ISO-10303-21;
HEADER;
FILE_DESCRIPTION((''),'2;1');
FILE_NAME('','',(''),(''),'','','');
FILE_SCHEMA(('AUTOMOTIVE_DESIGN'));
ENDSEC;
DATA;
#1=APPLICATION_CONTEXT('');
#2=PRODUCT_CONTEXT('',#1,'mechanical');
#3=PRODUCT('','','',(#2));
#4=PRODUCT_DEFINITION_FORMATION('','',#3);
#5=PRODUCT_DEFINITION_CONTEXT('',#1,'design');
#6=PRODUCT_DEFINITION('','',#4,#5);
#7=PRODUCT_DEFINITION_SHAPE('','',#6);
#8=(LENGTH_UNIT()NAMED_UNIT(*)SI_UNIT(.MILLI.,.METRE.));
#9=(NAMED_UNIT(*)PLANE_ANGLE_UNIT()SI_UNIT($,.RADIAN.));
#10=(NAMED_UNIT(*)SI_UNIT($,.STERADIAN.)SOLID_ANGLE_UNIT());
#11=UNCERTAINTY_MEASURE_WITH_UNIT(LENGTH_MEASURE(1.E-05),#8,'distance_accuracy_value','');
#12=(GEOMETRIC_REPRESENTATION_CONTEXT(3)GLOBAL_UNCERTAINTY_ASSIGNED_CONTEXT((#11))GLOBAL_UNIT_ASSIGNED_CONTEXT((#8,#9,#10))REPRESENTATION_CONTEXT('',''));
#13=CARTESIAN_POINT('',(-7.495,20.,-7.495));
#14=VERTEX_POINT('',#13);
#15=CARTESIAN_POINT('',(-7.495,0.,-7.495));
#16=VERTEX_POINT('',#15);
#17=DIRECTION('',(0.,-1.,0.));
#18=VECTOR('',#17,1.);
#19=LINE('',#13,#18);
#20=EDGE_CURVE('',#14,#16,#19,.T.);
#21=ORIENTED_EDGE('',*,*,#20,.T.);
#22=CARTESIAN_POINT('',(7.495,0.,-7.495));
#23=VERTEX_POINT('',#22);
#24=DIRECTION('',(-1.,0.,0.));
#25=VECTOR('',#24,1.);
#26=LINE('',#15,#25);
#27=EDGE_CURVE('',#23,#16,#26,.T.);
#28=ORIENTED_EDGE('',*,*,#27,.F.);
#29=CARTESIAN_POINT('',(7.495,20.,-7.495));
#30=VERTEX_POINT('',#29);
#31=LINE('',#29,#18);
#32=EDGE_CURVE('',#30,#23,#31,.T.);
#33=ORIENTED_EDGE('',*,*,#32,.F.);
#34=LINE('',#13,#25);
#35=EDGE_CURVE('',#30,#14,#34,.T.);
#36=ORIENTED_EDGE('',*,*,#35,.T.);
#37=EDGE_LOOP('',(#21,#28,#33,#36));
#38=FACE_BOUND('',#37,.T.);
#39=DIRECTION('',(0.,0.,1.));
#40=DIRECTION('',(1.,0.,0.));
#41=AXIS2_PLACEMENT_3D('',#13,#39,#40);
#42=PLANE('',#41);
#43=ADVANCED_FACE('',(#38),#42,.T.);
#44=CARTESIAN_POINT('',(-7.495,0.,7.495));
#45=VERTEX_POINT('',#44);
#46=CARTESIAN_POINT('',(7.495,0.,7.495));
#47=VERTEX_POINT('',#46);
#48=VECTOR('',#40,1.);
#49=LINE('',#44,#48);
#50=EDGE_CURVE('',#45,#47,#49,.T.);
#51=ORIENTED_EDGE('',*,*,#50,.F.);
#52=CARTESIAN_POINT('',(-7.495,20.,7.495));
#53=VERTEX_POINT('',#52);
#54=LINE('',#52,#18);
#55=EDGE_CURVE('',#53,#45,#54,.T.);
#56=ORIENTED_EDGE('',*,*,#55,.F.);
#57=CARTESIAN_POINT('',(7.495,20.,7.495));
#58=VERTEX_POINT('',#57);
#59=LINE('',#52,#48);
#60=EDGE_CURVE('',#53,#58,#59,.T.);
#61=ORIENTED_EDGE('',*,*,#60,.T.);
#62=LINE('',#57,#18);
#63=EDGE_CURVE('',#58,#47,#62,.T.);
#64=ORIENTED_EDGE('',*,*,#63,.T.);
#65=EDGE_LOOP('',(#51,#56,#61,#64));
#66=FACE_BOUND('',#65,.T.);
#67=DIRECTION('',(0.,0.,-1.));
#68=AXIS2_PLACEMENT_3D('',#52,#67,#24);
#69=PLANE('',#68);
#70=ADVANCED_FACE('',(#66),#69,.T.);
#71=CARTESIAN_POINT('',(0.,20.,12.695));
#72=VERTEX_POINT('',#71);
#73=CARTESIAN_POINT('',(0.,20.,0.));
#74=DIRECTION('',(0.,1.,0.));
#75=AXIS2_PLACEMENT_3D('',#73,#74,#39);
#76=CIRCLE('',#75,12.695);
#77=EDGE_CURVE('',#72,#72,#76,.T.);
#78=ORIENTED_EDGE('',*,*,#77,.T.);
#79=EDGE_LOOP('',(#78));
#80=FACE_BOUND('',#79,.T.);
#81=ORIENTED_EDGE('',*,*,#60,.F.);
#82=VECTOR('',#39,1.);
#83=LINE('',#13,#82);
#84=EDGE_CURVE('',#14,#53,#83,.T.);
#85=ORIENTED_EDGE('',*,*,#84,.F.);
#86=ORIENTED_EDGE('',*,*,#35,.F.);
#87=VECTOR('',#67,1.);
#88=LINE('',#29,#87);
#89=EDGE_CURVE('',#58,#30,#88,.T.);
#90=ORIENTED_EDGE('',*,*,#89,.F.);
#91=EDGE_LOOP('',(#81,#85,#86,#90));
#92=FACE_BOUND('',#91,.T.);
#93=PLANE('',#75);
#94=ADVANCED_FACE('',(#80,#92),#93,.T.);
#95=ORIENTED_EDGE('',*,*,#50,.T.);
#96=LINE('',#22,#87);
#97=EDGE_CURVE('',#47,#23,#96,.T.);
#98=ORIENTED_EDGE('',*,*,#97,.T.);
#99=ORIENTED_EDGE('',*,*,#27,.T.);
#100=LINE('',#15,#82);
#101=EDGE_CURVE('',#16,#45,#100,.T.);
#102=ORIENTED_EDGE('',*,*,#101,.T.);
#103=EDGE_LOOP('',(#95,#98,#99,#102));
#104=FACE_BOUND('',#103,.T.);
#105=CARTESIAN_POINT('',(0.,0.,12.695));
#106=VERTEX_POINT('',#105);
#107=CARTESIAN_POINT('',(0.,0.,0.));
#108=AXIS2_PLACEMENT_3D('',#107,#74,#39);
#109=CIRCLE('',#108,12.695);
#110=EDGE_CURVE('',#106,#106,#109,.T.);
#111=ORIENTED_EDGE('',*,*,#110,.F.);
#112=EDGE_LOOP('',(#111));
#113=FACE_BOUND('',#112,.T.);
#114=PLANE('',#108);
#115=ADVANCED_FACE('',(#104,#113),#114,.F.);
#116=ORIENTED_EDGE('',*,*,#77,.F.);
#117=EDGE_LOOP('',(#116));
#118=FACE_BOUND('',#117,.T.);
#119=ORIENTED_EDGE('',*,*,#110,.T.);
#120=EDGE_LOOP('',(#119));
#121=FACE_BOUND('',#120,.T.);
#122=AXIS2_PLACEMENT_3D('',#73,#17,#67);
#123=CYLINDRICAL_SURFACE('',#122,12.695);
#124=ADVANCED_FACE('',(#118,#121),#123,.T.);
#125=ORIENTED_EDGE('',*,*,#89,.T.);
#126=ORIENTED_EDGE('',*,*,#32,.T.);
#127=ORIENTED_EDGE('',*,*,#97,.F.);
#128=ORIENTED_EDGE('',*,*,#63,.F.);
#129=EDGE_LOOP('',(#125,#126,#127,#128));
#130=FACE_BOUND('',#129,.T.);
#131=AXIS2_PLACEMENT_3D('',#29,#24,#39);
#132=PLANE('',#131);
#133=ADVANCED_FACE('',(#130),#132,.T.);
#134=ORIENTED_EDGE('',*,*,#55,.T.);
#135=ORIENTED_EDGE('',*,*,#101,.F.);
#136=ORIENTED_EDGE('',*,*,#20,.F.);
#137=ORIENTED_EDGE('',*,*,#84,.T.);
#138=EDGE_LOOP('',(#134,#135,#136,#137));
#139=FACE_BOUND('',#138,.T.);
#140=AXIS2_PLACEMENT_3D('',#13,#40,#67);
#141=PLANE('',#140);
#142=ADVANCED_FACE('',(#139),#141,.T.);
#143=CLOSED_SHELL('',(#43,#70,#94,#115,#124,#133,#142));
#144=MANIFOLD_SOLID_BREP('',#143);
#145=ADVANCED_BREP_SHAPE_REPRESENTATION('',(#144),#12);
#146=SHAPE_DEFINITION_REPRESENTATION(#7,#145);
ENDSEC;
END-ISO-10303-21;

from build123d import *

# Parameters (mm, degrees)
SKETCH1_R           = 12.695
SKETCH1_W           = 14.99
SKETCH1_H           = 14.99
BOSS_EXTRUDE2_DEPTH = 20


with BuildPart() as part:
    # Sketch1 → Boss-Extrude2 (new body)
    with BuildSketch(Plane(origin=(0, 0, 0), x_dir=(1, 0, 0), z_dir=(0, 1, 0))):
        Circle(SKETCH1_R)
        Rectangle(SKETCH1_W, SKETCH1_H, mode=Mode.SUBTRACT)
    extrude(amount=BOSS_EXTRUDE2_DEPTH)


solid = part.part
